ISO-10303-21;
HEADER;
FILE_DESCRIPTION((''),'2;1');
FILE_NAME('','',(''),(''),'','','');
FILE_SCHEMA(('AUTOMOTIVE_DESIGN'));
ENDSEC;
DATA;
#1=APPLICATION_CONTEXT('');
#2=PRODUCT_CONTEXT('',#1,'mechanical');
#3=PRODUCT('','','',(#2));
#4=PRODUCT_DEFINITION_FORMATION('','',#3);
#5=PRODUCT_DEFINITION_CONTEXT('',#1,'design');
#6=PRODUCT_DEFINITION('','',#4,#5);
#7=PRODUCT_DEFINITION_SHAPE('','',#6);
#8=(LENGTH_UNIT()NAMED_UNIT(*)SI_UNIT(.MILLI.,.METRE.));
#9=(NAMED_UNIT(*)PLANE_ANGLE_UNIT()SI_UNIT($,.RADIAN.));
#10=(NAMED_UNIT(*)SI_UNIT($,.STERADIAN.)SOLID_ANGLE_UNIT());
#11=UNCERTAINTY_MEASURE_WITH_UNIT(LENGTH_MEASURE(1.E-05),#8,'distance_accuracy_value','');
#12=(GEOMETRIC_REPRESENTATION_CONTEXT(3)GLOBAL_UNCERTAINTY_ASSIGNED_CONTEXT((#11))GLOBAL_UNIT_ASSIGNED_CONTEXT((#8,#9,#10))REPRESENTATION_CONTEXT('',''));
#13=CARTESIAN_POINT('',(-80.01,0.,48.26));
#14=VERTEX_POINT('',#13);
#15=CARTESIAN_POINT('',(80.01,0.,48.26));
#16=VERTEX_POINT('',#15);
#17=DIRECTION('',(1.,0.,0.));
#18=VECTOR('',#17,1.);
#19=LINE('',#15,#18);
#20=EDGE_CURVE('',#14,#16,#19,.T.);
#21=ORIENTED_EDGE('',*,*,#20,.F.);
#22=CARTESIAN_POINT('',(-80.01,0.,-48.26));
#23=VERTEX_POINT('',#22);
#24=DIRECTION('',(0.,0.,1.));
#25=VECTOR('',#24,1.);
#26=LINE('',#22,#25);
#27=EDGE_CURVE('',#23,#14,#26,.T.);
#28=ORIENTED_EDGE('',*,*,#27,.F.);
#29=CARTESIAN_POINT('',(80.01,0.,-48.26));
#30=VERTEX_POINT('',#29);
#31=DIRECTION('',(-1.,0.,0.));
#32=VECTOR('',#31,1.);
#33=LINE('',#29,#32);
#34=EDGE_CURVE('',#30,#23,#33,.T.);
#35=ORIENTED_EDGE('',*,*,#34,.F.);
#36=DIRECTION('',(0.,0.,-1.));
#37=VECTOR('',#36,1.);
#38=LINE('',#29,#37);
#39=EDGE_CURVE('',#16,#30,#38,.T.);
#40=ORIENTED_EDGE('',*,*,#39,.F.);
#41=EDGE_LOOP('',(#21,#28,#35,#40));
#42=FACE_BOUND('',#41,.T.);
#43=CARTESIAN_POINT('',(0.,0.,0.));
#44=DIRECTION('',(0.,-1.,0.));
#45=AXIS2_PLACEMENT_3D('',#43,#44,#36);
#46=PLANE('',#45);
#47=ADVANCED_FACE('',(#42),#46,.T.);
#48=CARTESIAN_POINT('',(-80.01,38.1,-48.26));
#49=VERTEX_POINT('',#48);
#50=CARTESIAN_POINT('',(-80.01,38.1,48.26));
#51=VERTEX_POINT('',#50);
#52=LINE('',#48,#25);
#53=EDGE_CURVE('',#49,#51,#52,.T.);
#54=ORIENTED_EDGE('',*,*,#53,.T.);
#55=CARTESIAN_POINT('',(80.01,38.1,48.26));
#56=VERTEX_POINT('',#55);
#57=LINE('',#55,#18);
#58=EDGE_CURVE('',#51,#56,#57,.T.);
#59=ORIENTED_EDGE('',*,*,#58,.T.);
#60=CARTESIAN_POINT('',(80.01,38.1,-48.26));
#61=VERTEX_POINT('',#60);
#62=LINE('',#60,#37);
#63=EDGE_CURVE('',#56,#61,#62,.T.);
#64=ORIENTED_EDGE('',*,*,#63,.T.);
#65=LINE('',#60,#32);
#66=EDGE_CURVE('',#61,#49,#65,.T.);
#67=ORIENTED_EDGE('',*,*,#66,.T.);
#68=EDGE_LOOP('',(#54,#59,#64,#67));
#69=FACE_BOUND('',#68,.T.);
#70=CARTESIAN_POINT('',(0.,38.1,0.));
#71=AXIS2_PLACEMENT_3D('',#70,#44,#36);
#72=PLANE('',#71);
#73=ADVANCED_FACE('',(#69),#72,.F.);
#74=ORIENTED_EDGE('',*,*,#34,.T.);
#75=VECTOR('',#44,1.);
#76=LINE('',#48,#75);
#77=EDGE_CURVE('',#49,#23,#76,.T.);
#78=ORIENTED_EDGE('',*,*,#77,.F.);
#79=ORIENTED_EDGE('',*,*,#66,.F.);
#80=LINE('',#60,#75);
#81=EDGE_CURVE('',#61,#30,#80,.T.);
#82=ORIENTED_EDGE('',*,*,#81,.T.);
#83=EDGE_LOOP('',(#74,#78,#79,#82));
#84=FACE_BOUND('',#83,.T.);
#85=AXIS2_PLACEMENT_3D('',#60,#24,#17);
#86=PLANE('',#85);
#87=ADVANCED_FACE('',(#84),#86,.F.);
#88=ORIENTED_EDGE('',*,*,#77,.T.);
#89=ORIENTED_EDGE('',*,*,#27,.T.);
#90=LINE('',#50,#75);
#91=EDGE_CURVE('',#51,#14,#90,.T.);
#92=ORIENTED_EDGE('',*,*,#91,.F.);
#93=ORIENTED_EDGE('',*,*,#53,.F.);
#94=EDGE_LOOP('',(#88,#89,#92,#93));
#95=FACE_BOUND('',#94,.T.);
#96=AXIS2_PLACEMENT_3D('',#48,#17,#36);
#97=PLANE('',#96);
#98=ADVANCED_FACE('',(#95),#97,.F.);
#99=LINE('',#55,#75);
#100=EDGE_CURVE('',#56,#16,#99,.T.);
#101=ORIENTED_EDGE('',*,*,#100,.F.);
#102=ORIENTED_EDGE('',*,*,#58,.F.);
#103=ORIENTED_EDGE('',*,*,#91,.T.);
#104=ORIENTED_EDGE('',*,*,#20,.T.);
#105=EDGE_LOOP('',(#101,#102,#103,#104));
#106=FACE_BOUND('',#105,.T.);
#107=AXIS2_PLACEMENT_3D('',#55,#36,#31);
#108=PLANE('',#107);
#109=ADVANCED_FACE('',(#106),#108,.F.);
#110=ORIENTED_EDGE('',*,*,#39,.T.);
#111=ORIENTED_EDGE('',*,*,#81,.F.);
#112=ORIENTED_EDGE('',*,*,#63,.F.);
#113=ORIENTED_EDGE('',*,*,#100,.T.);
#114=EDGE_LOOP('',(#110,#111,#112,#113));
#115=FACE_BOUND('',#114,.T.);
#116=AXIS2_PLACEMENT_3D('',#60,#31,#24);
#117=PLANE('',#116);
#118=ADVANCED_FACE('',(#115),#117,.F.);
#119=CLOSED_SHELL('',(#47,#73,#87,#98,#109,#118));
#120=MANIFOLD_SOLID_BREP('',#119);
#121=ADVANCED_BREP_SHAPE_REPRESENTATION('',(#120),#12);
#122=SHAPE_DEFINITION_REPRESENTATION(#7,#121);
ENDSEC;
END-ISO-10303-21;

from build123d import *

# Parameters (mm, degrees)
SKETCH1_W           = 160.02
SKETCH1_H           = 96.52
BOSS_EXTRUDE1_DEPTH = 38.1


with BuildPart() as part:
    # Sketch1 → Boss-Extrude1 (new body)
    with BuildSketch(Plane(origin=(0, 0, 0), x_dir=(1, 0, 0), z_dir=(0, 1, 0))):
        Rectangle(SKETCH1_W, SKETCH1_H)
    extrude(amount=BOSS_EXTRUDE1_DEPTH)


solid = part.part
